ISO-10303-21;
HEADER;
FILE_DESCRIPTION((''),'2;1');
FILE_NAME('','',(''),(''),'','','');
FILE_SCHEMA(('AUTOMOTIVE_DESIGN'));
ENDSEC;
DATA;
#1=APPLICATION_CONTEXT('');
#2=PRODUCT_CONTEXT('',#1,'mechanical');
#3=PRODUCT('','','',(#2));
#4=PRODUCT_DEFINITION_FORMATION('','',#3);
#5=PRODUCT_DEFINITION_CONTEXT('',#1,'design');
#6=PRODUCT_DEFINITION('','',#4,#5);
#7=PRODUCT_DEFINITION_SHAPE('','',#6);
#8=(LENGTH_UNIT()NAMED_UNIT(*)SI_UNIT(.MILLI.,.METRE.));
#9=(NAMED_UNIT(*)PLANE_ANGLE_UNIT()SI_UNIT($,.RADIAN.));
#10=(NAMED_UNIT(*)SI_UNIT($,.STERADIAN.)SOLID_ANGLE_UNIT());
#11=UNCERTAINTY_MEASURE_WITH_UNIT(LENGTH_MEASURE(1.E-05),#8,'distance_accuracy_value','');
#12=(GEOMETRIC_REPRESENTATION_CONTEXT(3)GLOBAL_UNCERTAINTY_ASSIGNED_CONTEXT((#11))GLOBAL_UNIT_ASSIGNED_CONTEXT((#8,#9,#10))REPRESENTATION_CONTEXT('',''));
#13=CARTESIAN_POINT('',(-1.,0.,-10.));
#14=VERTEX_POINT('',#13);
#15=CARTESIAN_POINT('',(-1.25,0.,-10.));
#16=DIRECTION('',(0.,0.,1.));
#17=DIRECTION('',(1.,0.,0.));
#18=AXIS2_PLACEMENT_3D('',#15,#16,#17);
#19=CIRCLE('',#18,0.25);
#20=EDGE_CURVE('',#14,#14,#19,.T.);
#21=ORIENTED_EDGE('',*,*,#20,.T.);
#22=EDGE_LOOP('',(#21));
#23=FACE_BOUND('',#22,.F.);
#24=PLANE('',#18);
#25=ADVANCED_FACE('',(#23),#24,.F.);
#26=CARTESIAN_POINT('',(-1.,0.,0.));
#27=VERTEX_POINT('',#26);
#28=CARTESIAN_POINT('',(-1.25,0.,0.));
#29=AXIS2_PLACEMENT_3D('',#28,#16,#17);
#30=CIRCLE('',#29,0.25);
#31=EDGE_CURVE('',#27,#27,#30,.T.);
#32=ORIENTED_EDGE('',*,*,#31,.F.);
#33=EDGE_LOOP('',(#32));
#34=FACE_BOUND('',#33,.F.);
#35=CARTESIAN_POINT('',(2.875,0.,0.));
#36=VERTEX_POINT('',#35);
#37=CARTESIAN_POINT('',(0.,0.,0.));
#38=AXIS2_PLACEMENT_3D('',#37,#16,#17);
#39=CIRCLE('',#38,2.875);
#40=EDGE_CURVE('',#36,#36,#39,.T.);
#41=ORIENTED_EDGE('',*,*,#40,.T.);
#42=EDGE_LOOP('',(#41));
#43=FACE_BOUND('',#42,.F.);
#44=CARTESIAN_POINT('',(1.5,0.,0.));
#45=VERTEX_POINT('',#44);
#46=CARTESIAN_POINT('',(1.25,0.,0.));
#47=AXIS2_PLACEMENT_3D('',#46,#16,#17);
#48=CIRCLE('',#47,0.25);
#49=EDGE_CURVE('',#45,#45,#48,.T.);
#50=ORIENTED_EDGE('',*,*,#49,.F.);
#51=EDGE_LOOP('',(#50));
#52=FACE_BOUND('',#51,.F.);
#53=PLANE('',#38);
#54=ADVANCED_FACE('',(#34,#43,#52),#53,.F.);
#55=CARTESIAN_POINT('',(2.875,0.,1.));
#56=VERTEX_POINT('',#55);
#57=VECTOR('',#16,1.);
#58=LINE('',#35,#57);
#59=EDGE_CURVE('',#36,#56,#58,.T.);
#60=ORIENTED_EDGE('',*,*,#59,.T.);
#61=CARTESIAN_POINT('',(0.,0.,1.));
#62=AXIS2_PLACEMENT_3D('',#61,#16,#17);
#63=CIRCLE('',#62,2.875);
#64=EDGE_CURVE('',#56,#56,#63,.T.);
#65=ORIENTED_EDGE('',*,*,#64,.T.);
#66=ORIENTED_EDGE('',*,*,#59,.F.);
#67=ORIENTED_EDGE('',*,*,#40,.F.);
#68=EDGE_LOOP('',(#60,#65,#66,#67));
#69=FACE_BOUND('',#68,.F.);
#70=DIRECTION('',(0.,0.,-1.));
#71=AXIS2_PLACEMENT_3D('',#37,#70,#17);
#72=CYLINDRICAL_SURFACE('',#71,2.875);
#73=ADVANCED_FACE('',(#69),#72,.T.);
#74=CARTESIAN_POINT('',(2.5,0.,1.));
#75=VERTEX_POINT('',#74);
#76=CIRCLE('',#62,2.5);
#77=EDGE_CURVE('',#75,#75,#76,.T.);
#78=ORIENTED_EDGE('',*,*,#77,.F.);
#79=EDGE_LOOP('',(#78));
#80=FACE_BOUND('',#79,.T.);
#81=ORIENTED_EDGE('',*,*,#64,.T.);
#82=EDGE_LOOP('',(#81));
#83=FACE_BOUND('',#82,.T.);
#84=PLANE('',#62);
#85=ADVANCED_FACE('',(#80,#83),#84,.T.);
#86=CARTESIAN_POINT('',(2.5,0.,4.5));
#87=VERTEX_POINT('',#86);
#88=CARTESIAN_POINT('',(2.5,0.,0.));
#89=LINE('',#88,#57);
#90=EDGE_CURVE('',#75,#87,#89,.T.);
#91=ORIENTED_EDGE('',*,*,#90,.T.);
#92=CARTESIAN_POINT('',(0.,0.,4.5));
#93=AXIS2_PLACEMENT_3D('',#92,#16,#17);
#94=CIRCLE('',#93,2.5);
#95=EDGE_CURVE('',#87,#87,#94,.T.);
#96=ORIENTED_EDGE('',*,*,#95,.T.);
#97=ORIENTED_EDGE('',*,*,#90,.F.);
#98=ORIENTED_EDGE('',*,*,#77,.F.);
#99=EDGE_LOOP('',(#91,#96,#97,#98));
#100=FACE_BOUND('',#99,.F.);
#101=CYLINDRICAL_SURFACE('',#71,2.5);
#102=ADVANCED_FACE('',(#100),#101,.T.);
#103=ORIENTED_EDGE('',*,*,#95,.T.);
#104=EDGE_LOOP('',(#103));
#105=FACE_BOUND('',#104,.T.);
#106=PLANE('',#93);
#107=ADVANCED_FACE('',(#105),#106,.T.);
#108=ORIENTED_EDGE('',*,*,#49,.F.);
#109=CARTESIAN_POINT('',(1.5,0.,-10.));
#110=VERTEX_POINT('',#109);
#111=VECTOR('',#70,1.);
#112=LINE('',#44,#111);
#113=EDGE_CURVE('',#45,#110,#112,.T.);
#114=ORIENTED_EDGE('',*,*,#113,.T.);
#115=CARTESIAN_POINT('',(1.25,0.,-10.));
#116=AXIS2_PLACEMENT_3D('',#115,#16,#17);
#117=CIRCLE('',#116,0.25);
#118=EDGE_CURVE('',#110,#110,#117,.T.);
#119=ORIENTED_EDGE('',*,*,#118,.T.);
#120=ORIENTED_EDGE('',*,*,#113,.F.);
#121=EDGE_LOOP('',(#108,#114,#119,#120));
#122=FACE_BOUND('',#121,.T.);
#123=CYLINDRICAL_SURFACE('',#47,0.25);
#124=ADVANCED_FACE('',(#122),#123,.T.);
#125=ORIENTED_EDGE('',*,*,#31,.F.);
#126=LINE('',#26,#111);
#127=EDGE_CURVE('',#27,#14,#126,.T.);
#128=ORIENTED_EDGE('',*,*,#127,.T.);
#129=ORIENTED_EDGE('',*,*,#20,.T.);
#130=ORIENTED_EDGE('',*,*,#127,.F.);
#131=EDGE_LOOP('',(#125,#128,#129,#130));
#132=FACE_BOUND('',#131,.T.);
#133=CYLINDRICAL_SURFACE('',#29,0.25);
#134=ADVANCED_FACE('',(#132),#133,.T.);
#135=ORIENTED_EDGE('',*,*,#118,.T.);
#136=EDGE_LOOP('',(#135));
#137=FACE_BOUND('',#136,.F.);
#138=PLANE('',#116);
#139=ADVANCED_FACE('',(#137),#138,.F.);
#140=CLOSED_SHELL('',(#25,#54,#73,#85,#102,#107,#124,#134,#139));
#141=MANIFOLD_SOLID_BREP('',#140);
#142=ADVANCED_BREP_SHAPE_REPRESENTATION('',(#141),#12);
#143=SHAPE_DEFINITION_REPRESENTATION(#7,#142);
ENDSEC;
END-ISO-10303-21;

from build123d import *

# Parameters (mm, degrees)
F0_R     = 2.5
F0_R_2   = 0.25
F1_DEPTH = 4.5
F0_R_3   = 2.875
F2_DEPTH = 1
F3_DEPTH = 10


with BuildPart() as f1:
    # F0 (on Top) → F1 (new body)
    with BuildSketch(Plane.XY):
        Circle(F0_R)
        with Locations((-1.25, 0)):
            Circle(F0_R_2, mode=Mode.SUBTRACT)
        with Locations((1.25, 0)):
            Circle(F0_R_2, mode=Mode.SUBTRACT)
        with Locations((-1.25, 0)):
            Circle(F0_R_2)
        with Locations((1.25, 0)):
            Circle(F0_R_2)
    extrude(amount=F1_DEPTH)

    # F0 (on Top) → F2 (join)
    with BuildSketch(Plane.XY):
        Circle(F0_R_3)
        Circle(F0_R, mode=Mode.SUBTRACT)
    extrude(amount=F2_DEPTH)

    # F0 (on Top) → F3 (join)
    with BuildSketch(Plane.XY):
        with Locations((-1.25, 0)):
            Circle(F0_R_2)
        with Locations((1.25, 0)):
            Circle(F0_R_2)
    extrude(amount=-F3_DEPTH)


solid = f1.part
